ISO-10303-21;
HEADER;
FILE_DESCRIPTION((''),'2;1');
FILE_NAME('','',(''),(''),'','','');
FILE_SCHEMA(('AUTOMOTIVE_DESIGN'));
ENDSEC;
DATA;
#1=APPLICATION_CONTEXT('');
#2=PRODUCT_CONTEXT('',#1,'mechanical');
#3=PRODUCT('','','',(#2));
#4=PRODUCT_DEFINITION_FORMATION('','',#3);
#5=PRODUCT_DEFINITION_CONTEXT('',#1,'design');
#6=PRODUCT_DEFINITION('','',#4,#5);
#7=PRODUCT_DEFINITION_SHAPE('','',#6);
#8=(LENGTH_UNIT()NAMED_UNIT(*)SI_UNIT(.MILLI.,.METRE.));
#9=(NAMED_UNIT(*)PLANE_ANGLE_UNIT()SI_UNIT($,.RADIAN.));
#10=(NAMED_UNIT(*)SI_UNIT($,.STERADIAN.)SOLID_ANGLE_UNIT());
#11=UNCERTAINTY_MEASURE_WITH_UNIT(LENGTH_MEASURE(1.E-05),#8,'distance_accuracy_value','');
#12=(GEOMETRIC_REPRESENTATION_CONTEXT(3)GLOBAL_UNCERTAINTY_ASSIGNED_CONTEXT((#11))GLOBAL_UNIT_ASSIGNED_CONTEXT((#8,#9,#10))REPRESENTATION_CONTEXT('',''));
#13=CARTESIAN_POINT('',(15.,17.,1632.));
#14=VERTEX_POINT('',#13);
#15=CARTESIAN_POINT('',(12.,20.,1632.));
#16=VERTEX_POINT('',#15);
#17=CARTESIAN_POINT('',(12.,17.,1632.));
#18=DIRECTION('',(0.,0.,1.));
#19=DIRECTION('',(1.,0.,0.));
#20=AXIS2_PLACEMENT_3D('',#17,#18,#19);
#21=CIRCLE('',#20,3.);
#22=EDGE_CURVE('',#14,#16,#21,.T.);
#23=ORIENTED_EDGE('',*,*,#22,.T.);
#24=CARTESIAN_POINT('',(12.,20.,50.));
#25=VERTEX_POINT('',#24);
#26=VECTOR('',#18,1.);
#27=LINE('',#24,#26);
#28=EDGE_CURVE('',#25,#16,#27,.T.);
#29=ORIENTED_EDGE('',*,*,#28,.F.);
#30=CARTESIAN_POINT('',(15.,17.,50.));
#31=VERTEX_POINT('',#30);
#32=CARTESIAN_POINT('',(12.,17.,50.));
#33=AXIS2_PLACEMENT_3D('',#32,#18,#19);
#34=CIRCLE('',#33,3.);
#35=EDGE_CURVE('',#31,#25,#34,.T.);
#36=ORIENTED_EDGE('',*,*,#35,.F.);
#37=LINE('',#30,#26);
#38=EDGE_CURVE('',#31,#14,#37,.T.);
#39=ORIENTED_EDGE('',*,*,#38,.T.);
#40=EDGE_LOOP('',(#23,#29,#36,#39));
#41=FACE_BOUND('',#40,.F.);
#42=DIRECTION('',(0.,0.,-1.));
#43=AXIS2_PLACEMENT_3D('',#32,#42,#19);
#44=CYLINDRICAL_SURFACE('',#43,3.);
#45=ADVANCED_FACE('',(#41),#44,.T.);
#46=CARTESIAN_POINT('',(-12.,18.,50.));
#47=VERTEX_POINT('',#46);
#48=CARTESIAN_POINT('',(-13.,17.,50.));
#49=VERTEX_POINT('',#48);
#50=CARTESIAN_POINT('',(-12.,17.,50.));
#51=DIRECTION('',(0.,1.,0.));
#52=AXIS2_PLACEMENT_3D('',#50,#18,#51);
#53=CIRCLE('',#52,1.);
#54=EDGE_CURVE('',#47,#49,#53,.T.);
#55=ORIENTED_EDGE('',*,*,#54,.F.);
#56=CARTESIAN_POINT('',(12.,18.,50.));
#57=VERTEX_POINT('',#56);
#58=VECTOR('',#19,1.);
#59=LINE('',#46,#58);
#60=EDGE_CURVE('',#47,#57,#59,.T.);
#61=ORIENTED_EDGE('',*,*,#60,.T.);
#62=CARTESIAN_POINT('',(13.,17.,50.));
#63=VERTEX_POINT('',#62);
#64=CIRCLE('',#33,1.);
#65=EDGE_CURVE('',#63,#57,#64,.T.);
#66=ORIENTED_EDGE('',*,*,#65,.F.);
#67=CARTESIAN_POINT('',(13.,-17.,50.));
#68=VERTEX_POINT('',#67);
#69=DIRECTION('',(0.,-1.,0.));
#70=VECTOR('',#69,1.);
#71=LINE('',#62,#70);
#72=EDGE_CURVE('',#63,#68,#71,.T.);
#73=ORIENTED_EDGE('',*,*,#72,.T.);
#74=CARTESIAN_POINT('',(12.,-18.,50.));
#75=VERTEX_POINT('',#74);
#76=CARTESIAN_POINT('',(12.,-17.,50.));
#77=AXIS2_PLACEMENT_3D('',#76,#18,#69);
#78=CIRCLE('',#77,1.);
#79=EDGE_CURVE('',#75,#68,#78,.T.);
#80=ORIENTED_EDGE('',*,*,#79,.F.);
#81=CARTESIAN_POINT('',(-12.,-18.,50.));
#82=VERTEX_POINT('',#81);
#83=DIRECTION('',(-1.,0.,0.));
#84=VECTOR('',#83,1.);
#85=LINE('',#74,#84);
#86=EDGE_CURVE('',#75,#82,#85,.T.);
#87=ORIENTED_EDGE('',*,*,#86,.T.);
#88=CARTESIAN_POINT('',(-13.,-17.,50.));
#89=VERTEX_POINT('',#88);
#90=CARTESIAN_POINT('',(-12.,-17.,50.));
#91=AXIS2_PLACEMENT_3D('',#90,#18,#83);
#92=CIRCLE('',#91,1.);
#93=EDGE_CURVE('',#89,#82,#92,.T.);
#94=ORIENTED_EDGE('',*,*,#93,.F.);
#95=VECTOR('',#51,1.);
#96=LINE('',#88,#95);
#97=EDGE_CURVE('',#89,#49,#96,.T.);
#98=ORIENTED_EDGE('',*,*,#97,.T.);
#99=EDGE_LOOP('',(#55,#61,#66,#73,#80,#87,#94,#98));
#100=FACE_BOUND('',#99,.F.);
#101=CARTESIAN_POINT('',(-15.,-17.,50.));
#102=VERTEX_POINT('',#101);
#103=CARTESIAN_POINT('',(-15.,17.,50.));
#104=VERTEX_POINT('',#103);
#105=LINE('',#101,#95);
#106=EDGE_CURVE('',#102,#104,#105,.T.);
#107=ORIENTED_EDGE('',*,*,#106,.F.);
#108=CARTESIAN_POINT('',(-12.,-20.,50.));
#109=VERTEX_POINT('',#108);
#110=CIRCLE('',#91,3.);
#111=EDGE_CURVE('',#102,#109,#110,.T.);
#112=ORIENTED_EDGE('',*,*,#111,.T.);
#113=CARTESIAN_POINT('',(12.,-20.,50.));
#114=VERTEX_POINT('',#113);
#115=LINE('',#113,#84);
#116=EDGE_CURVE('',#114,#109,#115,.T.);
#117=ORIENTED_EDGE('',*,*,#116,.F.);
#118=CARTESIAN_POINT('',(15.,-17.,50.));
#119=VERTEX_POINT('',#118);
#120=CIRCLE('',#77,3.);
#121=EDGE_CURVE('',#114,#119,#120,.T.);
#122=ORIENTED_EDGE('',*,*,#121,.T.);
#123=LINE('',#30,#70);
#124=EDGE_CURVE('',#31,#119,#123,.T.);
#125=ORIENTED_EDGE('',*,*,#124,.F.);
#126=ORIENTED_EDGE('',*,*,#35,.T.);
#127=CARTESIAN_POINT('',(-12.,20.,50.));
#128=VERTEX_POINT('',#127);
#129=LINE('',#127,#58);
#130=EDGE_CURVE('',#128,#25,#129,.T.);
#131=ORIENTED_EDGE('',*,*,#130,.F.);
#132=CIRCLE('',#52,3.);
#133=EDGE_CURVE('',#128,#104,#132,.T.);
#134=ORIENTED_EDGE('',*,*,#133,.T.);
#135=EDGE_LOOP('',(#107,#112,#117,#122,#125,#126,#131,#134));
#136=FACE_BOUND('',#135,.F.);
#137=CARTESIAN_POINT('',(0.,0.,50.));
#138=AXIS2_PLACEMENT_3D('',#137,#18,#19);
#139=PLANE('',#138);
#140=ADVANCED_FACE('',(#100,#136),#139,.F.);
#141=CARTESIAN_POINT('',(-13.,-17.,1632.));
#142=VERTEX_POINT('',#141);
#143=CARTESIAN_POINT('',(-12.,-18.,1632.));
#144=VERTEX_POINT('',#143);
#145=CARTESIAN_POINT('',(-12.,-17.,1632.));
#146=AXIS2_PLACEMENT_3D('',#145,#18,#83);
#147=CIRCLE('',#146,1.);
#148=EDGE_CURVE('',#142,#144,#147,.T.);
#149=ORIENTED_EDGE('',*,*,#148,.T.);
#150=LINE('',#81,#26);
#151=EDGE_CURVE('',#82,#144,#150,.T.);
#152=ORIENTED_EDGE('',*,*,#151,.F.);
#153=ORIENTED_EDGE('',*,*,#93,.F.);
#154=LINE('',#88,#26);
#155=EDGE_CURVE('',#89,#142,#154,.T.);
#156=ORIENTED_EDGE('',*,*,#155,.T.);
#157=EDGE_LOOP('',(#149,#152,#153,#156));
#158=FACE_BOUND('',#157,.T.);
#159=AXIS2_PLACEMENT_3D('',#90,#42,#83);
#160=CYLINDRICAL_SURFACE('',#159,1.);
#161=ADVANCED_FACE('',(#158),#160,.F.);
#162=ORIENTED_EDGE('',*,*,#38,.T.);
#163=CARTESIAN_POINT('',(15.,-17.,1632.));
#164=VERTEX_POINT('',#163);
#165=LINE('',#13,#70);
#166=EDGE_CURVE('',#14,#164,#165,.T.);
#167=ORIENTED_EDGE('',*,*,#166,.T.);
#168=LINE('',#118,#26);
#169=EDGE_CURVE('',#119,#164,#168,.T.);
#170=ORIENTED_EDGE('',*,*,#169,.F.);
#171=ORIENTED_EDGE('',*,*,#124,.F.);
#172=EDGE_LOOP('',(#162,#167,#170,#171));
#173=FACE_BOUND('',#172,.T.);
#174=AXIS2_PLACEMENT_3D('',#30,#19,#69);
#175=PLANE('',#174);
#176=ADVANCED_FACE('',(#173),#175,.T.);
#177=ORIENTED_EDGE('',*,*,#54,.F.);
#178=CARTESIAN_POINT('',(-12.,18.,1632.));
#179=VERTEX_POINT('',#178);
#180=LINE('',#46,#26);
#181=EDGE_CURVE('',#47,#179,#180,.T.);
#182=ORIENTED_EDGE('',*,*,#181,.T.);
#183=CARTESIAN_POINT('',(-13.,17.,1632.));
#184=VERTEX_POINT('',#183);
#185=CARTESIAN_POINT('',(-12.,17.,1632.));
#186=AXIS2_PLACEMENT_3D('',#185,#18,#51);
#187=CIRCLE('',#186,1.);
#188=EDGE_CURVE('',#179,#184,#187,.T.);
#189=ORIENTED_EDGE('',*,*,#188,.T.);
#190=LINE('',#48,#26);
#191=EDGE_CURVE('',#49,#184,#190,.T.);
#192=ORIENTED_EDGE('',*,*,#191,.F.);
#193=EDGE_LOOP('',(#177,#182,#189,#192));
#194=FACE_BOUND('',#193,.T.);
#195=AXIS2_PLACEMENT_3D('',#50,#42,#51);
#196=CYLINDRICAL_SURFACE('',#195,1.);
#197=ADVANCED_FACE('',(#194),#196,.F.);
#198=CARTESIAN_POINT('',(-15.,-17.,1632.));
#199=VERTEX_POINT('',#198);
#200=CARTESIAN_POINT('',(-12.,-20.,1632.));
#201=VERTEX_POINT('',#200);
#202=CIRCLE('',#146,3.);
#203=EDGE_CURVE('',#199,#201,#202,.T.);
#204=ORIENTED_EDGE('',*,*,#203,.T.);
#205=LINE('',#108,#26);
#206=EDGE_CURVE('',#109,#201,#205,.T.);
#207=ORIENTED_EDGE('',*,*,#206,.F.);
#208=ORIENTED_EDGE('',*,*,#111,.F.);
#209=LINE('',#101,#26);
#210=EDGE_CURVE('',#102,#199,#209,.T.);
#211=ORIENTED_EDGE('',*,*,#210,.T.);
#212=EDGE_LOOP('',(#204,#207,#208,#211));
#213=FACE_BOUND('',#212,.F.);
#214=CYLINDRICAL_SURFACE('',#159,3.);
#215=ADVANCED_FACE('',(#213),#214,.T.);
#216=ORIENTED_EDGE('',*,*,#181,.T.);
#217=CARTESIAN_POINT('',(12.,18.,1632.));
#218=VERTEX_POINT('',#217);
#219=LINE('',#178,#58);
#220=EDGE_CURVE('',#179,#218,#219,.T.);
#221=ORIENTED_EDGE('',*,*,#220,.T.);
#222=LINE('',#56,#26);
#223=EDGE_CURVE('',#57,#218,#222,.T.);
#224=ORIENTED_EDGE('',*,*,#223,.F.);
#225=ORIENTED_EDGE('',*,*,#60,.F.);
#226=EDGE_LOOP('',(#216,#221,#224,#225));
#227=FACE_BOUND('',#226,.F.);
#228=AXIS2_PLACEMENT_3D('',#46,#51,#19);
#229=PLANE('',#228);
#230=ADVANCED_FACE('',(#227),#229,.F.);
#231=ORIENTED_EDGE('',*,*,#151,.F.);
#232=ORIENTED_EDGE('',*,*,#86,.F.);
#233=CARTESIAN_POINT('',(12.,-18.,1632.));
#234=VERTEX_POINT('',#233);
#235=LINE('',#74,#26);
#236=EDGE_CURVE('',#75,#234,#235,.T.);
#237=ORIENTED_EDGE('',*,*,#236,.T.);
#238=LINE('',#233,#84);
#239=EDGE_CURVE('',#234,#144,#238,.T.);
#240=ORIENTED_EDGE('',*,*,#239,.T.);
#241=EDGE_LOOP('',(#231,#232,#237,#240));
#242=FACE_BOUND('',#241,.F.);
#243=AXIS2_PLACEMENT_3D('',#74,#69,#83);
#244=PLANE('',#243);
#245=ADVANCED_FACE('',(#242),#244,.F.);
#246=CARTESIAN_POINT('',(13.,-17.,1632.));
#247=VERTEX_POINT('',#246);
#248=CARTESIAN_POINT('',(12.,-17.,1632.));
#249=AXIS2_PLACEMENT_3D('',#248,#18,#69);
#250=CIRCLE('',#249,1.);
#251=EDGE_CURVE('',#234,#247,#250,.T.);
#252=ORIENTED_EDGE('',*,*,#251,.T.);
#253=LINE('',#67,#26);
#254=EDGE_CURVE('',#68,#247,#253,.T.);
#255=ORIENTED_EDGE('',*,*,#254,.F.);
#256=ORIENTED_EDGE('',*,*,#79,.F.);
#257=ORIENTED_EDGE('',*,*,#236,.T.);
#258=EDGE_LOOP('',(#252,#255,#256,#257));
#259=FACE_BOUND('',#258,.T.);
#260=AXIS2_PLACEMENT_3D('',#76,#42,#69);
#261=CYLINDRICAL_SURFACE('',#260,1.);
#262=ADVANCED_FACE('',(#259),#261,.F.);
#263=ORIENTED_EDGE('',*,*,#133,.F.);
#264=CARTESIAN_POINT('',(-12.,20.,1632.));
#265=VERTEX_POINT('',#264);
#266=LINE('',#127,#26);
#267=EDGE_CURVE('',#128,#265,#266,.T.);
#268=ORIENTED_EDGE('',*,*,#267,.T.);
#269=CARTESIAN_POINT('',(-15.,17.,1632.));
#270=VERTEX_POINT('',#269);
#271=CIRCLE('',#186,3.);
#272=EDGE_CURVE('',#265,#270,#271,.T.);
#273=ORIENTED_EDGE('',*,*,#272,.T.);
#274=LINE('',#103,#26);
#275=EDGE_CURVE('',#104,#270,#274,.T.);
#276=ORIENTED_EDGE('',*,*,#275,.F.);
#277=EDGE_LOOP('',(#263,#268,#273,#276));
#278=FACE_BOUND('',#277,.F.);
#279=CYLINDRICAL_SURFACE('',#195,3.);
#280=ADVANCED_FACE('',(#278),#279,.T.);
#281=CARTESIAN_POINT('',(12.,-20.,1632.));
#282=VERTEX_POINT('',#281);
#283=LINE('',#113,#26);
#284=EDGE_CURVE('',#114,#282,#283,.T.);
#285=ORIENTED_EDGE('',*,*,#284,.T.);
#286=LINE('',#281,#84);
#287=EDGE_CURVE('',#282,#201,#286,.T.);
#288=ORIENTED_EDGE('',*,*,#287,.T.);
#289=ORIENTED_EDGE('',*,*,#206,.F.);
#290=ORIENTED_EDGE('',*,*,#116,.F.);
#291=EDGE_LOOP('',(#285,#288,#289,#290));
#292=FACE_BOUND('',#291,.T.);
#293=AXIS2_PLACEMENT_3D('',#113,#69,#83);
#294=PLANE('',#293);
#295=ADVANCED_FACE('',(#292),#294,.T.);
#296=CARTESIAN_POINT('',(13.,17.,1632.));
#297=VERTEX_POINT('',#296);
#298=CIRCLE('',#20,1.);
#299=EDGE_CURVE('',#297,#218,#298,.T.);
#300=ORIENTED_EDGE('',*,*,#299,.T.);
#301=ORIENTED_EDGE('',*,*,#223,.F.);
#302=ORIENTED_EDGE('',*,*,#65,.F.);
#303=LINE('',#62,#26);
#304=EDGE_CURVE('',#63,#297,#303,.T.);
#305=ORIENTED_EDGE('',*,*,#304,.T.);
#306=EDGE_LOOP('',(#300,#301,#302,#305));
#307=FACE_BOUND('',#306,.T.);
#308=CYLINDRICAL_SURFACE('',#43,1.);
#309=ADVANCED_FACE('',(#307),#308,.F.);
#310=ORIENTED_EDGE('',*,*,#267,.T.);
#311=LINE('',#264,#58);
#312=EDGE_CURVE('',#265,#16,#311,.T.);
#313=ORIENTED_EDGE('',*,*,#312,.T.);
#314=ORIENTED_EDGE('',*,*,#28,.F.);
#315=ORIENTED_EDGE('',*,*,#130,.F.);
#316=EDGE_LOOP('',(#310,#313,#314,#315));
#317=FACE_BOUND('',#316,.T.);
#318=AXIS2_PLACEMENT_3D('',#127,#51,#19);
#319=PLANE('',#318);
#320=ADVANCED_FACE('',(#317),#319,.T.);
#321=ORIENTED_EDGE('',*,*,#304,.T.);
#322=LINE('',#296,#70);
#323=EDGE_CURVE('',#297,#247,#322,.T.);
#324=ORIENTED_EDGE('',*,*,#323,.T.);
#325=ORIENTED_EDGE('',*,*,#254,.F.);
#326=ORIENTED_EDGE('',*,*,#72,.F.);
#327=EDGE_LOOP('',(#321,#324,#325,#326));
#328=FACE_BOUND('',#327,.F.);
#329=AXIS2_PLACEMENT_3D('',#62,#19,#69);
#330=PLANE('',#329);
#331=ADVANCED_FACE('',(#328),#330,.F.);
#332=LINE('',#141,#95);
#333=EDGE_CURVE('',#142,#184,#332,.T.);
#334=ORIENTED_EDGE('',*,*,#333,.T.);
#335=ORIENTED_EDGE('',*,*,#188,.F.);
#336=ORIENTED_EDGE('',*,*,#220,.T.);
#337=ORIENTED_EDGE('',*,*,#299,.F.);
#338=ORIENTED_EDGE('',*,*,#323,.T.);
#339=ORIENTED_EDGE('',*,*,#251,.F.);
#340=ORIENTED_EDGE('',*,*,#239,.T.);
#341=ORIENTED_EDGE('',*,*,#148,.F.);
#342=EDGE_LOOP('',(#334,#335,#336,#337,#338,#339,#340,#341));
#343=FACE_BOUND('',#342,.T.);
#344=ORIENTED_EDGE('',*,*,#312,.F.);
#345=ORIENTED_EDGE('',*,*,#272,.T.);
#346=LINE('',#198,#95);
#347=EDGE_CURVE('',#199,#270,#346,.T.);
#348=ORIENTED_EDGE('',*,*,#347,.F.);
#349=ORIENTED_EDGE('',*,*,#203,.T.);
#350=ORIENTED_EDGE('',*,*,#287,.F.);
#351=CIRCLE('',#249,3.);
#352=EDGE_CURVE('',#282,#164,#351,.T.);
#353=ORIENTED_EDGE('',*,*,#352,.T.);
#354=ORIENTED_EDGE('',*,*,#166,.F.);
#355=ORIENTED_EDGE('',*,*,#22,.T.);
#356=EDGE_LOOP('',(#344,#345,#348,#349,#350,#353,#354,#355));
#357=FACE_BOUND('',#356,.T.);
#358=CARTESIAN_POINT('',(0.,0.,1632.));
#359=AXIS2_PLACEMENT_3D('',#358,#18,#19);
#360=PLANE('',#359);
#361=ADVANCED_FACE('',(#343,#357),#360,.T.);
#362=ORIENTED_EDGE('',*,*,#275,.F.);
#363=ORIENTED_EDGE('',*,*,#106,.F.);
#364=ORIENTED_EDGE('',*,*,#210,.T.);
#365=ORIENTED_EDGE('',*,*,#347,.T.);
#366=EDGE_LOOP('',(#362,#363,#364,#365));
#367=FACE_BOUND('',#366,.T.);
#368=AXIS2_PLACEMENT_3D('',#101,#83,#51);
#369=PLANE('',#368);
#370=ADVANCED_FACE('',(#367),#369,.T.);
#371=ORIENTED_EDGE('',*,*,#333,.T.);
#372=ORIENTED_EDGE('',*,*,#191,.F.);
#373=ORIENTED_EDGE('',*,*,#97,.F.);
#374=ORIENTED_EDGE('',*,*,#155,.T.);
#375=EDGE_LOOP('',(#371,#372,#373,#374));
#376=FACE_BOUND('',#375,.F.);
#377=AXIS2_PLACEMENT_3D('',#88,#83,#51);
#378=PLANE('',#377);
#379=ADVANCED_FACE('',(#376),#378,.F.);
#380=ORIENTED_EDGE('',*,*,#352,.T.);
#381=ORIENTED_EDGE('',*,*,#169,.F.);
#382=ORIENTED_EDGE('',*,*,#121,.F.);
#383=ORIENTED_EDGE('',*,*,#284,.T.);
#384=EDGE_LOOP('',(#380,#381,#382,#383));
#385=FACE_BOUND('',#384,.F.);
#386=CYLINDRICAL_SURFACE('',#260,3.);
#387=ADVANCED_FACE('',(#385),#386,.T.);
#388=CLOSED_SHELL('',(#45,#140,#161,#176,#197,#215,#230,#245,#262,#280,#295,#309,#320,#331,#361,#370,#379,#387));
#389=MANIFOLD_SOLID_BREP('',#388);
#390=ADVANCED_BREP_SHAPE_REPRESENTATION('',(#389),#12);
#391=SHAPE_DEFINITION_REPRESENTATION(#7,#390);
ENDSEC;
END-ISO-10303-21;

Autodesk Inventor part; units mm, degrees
ref_plane "Start plane" through (0, 0, 50) normal (0, 0, 1) x (1, 0, 0)
ref_plane "End plane" through (0, 0, 1632) normal (0, 0, 1) x (1, 0, 0)
sketch "Sketch" plane through (0, 0, 0) normal (0, 0, 1) x (1, 0, 0)
  line L0 (-15, -17) -> (-15, 17)
  line L1 (-12, 20) -> (12, 20)
  line L2 (15, 17) -> (15, -17)
  line L3 (12, -20) -> (-12, -20)
  arc A0 (-15, -17) -> (-12, -20) centre (-12, -17) ccw
  arc A1 (-12, 20) -> (-15, 17) centre (-12, 17) ccw
  arc A2 (15, 17) -> (12, 20) centre (12, 17) ccw
  arc A3 (12, -20) -> (15, -17) centre (12, -17) ccw
  arc A4 (-12, 18) -> (-13, 17) centre (-12, 17) ccw
  line L4 (-12, 18) -> (12, 18)
  arc A5 (13, 17) -> (12, 18) centre (12, 17) ccw
  line L5 (13, 17) -> (13, -17)
  arc A6 (12, -18) -> (13, -17) centre (12, -17) ccw
  line L6 (12, -18) -> (-12, -18)
  arc A7 (-13, -17) -> (-12, -18) centre (-12, -17) ccw
  line L7 (-13, -17) -> (-13, 17)
  line L8 (0, 28.8698) -> (0, -28.8698) construction
  line L9 (-14.8698, 0) -> (14.8698, 0) construction
  dimension "d7" = 3
  dimension "d10" = 40
  dimension "d11" = 30
  dimension "d12" = 2
  dimension "d15" = 20
  dimension "d16" = 15
extrude "Body" add sketch "Sketch" along normal up to surface (1582 mm away) from surface at 50
sketch "Sketch3" plane through (0, 0, 0) normal (0, 0, 1) x (1, 0, 0)
  line L0 (0, 0) -> (10, 0)
ref_plane "Work Plane3" through (0, 0, 0) normal (0, -1, 0) x (1, 0, 0)
sketch "Sketch4" plane through (0, 0, 0) normal (0, -1, 0) x (1, 0, 0)
  line L0 (-2, 50) -> (12, 50)
  line L1 (-2, 1632) -> (12, 1632)
  dimension "d18" = 1582
ref_plane "Work Plane4" through (688, -17, 1632) normal (0, 0, 1) x (1, 0, 0)
split "Split1" plane through (688, -17, 1632) removes the side toward (0, 0, 1)
ref_plane "Work Plane5" through (668, 17, 50) normal (0, 0, -1) x (-1, 0, 0)
split "Split2" plane through (668, 17, 50) removes the side toward (0, 0, -1)
equation "\"d7\" = G_IR"
equation "\"d10\" = G_H"
equation "\"d11\" = G_W"
equation "\"d12\" = G_T"
equation "\"d15\" = 0.5 * d10"
equation "\"d16\" = 0.5 * d11"
equation "\"d3\" = G_L"
equation "\"G_W\" = 30"
equation "\"G_H\" = 40"
equation "\"G_T\" = 2"
equation "\"G_IR\" = 3"
equation "\"G_L\" = d18"
equation "\"G_OFFSET_START\" = -50"
equation "\"G_OFFSET_END\" = -50"
equation "\"d13\" = -G_OFFSET_START"
equation "\"d14\" = G_OFFSET_END + B_L"
equation "\"B_L\" = 1682"
properties part number "UNI EN 10305-5 - 40 x 30 x 2  - 1582" material "Steel, Mild"
